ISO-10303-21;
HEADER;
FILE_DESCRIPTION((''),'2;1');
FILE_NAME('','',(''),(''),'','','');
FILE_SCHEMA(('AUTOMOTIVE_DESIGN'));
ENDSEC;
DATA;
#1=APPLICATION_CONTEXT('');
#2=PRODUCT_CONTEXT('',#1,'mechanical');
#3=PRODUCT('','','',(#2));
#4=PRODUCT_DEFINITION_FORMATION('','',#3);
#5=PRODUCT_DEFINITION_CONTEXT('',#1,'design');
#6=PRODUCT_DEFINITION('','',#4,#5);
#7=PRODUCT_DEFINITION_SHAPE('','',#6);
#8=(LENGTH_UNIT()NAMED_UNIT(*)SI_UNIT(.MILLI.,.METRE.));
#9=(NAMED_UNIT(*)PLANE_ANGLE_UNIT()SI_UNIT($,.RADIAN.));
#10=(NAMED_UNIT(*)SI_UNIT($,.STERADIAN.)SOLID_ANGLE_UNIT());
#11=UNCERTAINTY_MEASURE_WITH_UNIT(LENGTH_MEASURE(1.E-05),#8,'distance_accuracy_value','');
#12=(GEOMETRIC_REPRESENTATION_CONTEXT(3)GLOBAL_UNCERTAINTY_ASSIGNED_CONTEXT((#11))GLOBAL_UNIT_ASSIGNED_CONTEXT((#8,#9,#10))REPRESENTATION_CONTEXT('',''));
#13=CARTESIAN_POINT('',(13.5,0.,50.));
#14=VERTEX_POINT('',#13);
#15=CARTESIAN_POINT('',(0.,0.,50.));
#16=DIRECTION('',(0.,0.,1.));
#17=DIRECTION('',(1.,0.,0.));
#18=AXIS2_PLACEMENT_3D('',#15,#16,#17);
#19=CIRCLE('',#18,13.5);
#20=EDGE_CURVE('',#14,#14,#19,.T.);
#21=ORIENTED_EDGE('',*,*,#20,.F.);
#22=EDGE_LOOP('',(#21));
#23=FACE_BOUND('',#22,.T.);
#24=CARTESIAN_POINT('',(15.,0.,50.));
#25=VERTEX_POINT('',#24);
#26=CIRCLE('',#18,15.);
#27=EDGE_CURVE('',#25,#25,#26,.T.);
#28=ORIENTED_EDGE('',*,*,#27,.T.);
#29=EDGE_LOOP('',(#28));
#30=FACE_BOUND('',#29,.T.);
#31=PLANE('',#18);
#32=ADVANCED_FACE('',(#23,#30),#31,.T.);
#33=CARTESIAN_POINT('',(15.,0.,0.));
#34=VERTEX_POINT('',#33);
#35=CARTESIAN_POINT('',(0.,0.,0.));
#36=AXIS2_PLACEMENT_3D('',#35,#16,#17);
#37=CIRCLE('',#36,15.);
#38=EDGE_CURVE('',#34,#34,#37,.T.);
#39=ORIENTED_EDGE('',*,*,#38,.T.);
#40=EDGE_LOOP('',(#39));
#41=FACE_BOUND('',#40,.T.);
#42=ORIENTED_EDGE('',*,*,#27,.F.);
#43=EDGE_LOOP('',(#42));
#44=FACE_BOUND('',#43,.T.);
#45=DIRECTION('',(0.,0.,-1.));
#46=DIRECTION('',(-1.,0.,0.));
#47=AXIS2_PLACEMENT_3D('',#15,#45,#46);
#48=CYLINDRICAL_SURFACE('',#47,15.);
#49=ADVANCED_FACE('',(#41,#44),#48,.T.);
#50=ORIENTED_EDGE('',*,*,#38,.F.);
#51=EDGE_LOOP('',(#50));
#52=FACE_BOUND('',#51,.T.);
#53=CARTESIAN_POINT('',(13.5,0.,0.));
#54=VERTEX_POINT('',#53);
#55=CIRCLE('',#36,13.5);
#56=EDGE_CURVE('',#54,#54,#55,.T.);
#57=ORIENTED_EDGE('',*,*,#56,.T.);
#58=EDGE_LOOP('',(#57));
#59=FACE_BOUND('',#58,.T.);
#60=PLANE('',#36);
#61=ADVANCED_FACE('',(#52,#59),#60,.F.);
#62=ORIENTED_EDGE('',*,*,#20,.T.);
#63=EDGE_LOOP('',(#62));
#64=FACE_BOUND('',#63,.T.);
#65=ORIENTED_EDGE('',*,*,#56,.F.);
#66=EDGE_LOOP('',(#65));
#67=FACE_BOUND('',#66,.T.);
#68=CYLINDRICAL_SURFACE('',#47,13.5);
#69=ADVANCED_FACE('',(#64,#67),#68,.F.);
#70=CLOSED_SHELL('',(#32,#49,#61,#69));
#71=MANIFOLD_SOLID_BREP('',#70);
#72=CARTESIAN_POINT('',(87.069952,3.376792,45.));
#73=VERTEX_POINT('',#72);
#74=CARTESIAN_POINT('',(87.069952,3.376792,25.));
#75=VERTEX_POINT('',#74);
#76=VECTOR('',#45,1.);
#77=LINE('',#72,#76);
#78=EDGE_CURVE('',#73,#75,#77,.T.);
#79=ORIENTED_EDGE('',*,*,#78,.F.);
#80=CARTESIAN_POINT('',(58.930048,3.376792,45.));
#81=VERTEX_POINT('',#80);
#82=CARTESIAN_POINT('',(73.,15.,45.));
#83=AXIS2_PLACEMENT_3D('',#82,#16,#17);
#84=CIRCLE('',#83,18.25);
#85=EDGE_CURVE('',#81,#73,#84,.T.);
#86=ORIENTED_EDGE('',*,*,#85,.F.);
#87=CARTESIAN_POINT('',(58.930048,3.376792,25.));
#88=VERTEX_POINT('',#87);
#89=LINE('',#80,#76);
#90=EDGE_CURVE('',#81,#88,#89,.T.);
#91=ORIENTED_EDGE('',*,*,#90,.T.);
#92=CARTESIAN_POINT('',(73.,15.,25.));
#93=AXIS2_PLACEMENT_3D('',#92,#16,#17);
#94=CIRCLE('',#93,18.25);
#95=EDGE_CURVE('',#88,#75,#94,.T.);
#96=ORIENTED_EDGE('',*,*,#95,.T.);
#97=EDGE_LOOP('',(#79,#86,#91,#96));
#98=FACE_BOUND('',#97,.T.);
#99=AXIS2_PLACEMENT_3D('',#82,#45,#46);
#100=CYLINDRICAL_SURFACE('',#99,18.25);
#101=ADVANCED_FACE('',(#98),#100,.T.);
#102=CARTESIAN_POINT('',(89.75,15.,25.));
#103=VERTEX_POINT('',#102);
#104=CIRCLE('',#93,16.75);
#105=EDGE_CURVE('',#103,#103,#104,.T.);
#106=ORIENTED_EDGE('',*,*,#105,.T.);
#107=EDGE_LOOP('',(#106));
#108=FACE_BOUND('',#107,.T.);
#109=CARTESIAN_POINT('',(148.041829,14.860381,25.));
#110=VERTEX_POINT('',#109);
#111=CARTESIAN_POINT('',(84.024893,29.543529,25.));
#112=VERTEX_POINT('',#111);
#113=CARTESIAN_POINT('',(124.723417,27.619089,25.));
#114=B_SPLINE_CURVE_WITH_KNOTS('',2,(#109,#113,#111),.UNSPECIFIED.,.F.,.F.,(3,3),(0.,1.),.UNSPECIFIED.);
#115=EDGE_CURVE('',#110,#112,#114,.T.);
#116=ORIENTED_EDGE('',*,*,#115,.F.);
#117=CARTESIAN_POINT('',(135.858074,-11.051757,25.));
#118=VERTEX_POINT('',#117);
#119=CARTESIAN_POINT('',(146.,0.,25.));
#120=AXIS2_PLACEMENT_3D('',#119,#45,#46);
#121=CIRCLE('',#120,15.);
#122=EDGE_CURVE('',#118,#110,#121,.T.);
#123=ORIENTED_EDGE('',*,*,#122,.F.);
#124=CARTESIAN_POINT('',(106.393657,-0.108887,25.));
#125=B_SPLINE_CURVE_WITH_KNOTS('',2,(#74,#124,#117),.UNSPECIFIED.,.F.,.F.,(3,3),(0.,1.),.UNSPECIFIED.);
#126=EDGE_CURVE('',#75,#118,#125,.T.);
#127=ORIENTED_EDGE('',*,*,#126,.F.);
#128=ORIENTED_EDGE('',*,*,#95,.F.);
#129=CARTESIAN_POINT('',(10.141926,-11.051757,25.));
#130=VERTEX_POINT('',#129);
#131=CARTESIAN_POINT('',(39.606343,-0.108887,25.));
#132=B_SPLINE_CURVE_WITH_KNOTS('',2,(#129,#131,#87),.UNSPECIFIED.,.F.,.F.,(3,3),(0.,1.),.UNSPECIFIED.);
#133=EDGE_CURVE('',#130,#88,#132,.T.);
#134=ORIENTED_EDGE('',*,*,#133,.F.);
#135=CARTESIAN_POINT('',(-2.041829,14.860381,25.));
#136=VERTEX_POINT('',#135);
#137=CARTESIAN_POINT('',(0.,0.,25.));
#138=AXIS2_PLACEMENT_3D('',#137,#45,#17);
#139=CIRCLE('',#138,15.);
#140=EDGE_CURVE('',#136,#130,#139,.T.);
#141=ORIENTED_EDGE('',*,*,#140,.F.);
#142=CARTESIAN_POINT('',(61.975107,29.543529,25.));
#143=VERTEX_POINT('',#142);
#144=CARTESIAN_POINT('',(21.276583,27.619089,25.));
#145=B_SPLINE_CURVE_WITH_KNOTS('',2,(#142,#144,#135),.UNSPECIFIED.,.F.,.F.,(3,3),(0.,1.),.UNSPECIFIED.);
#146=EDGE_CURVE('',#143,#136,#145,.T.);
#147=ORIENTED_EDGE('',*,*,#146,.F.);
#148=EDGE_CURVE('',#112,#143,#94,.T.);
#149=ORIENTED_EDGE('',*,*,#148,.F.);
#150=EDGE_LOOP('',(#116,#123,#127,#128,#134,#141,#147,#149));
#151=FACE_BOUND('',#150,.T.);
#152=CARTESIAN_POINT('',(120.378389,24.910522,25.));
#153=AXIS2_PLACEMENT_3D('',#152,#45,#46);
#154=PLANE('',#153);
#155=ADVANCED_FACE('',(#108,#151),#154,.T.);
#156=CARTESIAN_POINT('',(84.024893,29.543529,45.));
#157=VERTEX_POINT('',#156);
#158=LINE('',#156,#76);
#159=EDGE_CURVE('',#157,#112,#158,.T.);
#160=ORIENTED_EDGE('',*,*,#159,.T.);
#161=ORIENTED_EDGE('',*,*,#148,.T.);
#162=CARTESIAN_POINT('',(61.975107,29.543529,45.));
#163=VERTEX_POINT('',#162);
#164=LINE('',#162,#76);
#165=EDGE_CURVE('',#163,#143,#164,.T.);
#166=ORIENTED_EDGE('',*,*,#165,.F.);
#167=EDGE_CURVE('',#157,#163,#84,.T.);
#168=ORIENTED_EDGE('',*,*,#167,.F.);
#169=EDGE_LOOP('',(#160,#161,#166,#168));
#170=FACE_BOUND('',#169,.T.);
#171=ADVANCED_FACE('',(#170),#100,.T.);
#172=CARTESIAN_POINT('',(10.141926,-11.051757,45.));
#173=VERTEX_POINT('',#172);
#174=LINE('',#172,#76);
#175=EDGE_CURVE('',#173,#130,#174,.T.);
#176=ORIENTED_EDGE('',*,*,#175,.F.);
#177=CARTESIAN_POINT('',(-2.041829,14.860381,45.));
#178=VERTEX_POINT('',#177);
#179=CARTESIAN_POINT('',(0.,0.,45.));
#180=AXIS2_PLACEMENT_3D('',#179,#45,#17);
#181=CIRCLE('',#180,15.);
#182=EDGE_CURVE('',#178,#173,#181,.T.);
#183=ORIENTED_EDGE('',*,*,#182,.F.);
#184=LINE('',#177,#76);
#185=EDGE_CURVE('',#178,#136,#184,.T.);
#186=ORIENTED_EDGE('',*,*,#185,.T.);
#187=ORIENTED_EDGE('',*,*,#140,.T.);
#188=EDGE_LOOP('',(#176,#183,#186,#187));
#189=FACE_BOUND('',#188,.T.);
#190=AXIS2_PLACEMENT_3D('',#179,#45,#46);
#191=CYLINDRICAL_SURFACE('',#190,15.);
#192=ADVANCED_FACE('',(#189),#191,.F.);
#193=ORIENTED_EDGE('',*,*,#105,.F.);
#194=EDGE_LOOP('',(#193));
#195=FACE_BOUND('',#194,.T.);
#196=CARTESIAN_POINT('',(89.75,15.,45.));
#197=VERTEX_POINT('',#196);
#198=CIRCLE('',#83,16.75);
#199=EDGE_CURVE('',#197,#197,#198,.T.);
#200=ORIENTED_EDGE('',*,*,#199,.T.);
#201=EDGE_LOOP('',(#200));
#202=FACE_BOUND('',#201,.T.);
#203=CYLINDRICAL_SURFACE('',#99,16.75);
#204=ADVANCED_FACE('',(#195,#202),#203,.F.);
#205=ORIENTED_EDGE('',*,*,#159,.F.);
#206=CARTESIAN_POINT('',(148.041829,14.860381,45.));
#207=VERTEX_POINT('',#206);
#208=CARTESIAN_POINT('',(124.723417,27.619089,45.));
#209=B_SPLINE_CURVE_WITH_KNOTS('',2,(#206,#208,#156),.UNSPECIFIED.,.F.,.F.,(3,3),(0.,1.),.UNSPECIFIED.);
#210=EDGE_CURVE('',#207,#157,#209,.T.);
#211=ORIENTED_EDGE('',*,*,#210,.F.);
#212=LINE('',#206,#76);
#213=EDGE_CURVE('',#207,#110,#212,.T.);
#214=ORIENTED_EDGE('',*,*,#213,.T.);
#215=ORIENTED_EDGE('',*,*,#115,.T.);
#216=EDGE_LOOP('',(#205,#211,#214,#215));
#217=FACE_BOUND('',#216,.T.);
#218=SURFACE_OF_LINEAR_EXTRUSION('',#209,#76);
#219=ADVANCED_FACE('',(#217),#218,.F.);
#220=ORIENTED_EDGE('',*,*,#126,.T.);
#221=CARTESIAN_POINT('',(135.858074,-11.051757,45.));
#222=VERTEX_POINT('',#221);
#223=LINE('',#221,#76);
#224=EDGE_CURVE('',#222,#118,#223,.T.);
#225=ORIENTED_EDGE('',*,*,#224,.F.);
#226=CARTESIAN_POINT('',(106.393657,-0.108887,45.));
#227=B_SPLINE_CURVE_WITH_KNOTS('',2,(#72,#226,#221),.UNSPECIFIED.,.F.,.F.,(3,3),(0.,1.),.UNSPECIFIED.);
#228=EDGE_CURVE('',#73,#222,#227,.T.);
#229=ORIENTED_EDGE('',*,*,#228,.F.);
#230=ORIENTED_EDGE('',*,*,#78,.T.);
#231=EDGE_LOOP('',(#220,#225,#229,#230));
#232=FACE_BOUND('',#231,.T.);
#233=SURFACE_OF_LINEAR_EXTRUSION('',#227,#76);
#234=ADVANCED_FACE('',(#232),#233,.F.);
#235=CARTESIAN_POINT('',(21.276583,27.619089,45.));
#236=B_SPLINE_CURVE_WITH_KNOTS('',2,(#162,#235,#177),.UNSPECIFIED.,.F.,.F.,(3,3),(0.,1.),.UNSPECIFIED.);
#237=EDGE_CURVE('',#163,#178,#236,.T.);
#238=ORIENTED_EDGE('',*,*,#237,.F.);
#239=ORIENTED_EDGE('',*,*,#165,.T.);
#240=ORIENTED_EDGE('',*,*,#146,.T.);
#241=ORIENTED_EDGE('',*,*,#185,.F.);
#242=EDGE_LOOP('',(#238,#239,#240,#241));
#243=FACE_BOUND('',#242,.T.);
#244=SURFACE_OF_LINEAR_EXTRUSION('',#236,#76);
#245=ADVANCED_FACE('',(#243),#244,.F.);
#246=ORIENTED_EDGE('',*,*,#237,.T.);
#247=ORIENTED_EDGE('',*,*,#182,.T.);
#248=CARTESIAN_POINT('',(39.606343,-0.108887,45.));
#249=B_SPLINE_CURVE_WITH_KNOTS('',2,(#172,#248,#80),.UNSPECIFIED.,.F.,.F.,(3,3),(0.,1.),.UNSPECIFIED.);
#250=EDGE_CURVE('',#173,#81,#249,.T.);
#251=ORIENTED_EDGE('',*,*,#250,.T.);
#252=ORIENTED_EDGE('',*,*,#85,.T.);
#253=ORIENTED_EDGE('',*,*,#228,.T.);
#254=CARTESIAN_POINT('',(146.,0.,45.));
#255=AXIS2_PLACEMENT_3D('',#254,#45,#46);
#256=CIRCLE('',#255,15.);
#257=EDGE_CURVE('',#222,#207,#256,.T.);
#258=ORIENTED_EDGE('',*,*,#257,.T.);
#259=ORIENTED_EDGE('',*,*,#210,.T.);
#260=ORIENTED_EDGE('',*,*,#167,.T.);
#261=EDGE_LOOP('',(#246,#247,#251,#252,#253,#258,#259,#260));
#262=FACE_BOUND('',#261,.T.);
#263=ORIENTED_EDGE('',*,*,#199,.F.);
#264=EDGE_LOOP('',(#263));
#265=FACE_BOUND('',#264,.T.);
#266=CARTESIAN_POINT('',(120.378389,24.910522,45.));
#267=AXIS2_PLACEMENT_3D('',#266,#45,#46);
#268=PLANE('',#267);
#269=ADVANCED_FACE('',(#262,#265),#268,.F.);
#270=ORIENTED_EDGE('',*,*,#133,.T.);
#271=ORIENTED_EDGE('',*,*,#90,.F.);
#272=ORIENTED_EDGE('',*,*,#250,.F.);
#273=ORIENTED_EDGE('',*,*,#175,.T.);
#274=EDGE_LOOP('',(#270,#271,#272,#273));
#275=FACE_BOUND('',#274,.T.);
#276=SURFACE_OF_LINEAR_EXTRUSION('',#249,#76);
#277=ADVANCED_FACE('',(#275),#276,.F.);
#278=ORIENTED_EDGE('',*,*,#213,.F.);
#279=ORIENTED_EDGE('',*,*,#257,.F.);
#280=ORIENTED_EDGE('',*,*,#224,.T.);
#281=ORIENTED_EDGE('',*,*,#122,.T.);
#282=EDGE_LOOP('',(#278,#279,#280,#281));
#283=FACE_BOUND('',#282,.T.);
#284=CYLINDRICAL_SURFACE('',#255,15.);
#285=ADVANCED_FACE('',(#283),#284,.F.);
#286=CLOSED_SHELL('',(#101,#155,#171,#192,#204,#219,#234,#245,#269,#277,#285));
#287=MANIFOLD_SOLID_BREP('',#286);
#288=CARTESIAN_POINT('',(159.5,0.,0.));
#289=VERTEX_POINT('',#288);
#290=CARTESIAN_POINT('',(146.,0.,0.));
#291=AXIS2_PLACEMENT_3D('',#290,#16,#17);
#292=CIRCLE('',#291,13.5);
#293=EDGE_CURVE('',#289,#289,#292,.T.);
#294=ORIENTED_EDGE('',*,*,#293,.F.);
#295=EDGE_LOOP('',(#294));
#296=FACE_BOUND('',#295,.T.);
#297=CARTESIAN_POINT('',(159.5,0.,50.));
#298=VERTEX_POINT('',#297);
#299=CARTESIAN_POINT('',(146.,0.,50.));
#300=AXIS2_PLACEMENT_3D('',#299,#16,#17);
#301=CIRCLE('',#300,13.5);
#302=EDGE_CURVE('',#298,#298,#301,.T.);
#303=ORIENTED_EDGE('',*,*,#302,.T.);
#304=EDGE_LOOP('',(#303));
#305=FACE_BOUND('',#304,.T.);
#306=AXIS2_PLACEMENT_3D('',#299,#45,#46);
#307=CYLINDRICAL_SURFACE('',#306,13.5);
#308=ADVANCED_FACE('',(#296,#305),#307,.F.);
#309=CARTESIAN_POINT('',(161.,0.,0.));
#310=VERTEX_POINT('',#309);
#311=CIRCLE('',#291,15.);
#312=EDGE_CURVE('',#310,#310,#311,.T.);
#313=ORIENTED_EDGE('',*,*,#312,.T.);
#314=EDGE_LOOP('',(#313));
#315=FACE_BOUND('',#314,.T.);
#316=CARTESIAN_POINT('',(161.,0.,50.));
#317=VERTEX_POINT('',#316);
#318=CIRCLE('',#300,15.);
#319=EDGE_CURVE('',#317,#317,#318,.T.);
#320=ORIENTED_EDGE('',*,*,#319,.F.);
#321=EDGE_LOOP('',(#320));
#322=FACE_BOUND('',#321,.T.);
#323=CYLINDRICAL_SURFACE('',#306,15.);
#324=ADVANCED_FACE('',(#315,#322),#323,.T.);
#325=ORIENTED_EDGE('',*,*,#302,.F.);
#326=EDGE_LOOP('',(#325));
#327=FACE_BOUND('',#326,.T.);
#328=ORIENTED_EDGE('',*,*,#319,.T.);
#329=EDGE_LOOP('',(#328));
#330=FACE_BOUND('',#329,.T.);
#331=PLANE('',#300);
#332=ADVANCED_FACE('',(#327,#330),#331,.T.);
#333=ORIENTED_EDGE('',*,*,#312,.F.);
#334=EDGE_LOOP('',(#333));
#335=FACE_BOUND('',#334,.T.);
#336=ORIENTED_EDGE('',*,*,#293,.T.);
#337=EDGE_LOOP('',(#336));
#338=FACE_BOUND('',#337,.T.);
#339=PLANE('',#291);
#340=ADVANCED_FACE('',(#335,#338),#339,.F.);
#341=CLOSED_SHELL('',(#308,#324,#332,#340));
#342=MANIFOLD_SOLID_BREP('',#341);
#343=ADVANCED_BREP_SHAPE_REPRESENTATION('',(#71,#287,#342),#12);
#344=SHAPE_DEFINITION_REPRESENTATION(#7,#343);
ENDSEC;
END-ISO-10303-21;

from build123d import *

# Parameters (mm, degrees)
SKETCH1_R             = 15
SKETCH1_R_2           = 13.5
BOSS_EXTRUDE1_DEPTH   = 50
BOSS_EXTRUDE1_2_DEPTH = 50
SKETCH2_R             = 16.75
BOSS_EXTRUDE5_DEPTH   = 20


with BuildPart() as part:
    # Sketch1 → Boss-Extrude1 (new body)
    with BuildSketch(Plane.XY):
        Circle(SKETCH1_R)
        Circle(SKETCH1_R_2, mode=Mode.SUBTRACT)
    extrude(amount=BOSS_EXTRUDE1_DEPTH)


with BuildPart() as body_2:
    # Sketch1 → Boss-Extrude1 2 (new body)
    with BuildSketch(Plane.XY):
        with Locations((146, 0)):
            Circle(SKETCH1_R)
        with Locations((146, 0)):
            Circle(SKETCH1_R_2, mode=Mode.SUBTRACT)
    extrude(amount=BOSS_EXTRUDE1_2_DEPTH)


with BuildPart() as body_3:
    # Sketch2 → Boss-Extrude5 (new body)
    with BuildSketch(Plane.XY.offset(25)):
        with BuildLine():
            ThreePointArc((58.930048431, 3.376792059), (73, -3.25), (87.069951569, 3.376792059))
            add(Edge.make_bspline(
                [(135.858074214, -11.051757388), (106.393657142, -0.108887447), (87.069951569, 3.376792059)],
                knots=[0, 0, 0, 1, 1, 1], degree=2))
            ThreePointArc((135.858074214, -11.051757388), (132.425663063, 6.382583858), (148.04182941, 14.860381309))
            add(Edge.make_bspline(
                [(148.04182941, 14.860381309), (124.723417301, 27.619088806), (84.024892619, 29.54352924)],
                knots=[0, 0, 0, 1, 1, 1], degree=2))
            ThreePointArc((84.024892619, 29.54352924), (73, 33.25), (61.975107381, 29.54352924))
            add(Edge.make_bspline(
                [(-2.04182941, 14.860381309), (21.276582699, 27.619088806), (61.975107381, 29.54352924)],
                knots=[0, 0, 0, 1, 1, 1], degree=2))
            ThreePointArc((-2.04182941, 14.860381309), (13.574336937, 6.382583858), (10.141925786, -11.051757388))
            add(Edge.make_bspline(
                [(10.141925786, -11.051757388), (39.606342858, -0.108887447), (58.930048431, 3.376792059)],
                knots=[0, 0, 0, 1, 1, 1], degree=2))
        make_face()
        with Locations((73, 15)):
            Circle(SKETCH2_R, mode=Mode.SUBTRACT)
    extrude(amount=BOSS_EXTRUDE5_DEPTH)


solid = Compound([part.part, body_2.part, body_3.part])
